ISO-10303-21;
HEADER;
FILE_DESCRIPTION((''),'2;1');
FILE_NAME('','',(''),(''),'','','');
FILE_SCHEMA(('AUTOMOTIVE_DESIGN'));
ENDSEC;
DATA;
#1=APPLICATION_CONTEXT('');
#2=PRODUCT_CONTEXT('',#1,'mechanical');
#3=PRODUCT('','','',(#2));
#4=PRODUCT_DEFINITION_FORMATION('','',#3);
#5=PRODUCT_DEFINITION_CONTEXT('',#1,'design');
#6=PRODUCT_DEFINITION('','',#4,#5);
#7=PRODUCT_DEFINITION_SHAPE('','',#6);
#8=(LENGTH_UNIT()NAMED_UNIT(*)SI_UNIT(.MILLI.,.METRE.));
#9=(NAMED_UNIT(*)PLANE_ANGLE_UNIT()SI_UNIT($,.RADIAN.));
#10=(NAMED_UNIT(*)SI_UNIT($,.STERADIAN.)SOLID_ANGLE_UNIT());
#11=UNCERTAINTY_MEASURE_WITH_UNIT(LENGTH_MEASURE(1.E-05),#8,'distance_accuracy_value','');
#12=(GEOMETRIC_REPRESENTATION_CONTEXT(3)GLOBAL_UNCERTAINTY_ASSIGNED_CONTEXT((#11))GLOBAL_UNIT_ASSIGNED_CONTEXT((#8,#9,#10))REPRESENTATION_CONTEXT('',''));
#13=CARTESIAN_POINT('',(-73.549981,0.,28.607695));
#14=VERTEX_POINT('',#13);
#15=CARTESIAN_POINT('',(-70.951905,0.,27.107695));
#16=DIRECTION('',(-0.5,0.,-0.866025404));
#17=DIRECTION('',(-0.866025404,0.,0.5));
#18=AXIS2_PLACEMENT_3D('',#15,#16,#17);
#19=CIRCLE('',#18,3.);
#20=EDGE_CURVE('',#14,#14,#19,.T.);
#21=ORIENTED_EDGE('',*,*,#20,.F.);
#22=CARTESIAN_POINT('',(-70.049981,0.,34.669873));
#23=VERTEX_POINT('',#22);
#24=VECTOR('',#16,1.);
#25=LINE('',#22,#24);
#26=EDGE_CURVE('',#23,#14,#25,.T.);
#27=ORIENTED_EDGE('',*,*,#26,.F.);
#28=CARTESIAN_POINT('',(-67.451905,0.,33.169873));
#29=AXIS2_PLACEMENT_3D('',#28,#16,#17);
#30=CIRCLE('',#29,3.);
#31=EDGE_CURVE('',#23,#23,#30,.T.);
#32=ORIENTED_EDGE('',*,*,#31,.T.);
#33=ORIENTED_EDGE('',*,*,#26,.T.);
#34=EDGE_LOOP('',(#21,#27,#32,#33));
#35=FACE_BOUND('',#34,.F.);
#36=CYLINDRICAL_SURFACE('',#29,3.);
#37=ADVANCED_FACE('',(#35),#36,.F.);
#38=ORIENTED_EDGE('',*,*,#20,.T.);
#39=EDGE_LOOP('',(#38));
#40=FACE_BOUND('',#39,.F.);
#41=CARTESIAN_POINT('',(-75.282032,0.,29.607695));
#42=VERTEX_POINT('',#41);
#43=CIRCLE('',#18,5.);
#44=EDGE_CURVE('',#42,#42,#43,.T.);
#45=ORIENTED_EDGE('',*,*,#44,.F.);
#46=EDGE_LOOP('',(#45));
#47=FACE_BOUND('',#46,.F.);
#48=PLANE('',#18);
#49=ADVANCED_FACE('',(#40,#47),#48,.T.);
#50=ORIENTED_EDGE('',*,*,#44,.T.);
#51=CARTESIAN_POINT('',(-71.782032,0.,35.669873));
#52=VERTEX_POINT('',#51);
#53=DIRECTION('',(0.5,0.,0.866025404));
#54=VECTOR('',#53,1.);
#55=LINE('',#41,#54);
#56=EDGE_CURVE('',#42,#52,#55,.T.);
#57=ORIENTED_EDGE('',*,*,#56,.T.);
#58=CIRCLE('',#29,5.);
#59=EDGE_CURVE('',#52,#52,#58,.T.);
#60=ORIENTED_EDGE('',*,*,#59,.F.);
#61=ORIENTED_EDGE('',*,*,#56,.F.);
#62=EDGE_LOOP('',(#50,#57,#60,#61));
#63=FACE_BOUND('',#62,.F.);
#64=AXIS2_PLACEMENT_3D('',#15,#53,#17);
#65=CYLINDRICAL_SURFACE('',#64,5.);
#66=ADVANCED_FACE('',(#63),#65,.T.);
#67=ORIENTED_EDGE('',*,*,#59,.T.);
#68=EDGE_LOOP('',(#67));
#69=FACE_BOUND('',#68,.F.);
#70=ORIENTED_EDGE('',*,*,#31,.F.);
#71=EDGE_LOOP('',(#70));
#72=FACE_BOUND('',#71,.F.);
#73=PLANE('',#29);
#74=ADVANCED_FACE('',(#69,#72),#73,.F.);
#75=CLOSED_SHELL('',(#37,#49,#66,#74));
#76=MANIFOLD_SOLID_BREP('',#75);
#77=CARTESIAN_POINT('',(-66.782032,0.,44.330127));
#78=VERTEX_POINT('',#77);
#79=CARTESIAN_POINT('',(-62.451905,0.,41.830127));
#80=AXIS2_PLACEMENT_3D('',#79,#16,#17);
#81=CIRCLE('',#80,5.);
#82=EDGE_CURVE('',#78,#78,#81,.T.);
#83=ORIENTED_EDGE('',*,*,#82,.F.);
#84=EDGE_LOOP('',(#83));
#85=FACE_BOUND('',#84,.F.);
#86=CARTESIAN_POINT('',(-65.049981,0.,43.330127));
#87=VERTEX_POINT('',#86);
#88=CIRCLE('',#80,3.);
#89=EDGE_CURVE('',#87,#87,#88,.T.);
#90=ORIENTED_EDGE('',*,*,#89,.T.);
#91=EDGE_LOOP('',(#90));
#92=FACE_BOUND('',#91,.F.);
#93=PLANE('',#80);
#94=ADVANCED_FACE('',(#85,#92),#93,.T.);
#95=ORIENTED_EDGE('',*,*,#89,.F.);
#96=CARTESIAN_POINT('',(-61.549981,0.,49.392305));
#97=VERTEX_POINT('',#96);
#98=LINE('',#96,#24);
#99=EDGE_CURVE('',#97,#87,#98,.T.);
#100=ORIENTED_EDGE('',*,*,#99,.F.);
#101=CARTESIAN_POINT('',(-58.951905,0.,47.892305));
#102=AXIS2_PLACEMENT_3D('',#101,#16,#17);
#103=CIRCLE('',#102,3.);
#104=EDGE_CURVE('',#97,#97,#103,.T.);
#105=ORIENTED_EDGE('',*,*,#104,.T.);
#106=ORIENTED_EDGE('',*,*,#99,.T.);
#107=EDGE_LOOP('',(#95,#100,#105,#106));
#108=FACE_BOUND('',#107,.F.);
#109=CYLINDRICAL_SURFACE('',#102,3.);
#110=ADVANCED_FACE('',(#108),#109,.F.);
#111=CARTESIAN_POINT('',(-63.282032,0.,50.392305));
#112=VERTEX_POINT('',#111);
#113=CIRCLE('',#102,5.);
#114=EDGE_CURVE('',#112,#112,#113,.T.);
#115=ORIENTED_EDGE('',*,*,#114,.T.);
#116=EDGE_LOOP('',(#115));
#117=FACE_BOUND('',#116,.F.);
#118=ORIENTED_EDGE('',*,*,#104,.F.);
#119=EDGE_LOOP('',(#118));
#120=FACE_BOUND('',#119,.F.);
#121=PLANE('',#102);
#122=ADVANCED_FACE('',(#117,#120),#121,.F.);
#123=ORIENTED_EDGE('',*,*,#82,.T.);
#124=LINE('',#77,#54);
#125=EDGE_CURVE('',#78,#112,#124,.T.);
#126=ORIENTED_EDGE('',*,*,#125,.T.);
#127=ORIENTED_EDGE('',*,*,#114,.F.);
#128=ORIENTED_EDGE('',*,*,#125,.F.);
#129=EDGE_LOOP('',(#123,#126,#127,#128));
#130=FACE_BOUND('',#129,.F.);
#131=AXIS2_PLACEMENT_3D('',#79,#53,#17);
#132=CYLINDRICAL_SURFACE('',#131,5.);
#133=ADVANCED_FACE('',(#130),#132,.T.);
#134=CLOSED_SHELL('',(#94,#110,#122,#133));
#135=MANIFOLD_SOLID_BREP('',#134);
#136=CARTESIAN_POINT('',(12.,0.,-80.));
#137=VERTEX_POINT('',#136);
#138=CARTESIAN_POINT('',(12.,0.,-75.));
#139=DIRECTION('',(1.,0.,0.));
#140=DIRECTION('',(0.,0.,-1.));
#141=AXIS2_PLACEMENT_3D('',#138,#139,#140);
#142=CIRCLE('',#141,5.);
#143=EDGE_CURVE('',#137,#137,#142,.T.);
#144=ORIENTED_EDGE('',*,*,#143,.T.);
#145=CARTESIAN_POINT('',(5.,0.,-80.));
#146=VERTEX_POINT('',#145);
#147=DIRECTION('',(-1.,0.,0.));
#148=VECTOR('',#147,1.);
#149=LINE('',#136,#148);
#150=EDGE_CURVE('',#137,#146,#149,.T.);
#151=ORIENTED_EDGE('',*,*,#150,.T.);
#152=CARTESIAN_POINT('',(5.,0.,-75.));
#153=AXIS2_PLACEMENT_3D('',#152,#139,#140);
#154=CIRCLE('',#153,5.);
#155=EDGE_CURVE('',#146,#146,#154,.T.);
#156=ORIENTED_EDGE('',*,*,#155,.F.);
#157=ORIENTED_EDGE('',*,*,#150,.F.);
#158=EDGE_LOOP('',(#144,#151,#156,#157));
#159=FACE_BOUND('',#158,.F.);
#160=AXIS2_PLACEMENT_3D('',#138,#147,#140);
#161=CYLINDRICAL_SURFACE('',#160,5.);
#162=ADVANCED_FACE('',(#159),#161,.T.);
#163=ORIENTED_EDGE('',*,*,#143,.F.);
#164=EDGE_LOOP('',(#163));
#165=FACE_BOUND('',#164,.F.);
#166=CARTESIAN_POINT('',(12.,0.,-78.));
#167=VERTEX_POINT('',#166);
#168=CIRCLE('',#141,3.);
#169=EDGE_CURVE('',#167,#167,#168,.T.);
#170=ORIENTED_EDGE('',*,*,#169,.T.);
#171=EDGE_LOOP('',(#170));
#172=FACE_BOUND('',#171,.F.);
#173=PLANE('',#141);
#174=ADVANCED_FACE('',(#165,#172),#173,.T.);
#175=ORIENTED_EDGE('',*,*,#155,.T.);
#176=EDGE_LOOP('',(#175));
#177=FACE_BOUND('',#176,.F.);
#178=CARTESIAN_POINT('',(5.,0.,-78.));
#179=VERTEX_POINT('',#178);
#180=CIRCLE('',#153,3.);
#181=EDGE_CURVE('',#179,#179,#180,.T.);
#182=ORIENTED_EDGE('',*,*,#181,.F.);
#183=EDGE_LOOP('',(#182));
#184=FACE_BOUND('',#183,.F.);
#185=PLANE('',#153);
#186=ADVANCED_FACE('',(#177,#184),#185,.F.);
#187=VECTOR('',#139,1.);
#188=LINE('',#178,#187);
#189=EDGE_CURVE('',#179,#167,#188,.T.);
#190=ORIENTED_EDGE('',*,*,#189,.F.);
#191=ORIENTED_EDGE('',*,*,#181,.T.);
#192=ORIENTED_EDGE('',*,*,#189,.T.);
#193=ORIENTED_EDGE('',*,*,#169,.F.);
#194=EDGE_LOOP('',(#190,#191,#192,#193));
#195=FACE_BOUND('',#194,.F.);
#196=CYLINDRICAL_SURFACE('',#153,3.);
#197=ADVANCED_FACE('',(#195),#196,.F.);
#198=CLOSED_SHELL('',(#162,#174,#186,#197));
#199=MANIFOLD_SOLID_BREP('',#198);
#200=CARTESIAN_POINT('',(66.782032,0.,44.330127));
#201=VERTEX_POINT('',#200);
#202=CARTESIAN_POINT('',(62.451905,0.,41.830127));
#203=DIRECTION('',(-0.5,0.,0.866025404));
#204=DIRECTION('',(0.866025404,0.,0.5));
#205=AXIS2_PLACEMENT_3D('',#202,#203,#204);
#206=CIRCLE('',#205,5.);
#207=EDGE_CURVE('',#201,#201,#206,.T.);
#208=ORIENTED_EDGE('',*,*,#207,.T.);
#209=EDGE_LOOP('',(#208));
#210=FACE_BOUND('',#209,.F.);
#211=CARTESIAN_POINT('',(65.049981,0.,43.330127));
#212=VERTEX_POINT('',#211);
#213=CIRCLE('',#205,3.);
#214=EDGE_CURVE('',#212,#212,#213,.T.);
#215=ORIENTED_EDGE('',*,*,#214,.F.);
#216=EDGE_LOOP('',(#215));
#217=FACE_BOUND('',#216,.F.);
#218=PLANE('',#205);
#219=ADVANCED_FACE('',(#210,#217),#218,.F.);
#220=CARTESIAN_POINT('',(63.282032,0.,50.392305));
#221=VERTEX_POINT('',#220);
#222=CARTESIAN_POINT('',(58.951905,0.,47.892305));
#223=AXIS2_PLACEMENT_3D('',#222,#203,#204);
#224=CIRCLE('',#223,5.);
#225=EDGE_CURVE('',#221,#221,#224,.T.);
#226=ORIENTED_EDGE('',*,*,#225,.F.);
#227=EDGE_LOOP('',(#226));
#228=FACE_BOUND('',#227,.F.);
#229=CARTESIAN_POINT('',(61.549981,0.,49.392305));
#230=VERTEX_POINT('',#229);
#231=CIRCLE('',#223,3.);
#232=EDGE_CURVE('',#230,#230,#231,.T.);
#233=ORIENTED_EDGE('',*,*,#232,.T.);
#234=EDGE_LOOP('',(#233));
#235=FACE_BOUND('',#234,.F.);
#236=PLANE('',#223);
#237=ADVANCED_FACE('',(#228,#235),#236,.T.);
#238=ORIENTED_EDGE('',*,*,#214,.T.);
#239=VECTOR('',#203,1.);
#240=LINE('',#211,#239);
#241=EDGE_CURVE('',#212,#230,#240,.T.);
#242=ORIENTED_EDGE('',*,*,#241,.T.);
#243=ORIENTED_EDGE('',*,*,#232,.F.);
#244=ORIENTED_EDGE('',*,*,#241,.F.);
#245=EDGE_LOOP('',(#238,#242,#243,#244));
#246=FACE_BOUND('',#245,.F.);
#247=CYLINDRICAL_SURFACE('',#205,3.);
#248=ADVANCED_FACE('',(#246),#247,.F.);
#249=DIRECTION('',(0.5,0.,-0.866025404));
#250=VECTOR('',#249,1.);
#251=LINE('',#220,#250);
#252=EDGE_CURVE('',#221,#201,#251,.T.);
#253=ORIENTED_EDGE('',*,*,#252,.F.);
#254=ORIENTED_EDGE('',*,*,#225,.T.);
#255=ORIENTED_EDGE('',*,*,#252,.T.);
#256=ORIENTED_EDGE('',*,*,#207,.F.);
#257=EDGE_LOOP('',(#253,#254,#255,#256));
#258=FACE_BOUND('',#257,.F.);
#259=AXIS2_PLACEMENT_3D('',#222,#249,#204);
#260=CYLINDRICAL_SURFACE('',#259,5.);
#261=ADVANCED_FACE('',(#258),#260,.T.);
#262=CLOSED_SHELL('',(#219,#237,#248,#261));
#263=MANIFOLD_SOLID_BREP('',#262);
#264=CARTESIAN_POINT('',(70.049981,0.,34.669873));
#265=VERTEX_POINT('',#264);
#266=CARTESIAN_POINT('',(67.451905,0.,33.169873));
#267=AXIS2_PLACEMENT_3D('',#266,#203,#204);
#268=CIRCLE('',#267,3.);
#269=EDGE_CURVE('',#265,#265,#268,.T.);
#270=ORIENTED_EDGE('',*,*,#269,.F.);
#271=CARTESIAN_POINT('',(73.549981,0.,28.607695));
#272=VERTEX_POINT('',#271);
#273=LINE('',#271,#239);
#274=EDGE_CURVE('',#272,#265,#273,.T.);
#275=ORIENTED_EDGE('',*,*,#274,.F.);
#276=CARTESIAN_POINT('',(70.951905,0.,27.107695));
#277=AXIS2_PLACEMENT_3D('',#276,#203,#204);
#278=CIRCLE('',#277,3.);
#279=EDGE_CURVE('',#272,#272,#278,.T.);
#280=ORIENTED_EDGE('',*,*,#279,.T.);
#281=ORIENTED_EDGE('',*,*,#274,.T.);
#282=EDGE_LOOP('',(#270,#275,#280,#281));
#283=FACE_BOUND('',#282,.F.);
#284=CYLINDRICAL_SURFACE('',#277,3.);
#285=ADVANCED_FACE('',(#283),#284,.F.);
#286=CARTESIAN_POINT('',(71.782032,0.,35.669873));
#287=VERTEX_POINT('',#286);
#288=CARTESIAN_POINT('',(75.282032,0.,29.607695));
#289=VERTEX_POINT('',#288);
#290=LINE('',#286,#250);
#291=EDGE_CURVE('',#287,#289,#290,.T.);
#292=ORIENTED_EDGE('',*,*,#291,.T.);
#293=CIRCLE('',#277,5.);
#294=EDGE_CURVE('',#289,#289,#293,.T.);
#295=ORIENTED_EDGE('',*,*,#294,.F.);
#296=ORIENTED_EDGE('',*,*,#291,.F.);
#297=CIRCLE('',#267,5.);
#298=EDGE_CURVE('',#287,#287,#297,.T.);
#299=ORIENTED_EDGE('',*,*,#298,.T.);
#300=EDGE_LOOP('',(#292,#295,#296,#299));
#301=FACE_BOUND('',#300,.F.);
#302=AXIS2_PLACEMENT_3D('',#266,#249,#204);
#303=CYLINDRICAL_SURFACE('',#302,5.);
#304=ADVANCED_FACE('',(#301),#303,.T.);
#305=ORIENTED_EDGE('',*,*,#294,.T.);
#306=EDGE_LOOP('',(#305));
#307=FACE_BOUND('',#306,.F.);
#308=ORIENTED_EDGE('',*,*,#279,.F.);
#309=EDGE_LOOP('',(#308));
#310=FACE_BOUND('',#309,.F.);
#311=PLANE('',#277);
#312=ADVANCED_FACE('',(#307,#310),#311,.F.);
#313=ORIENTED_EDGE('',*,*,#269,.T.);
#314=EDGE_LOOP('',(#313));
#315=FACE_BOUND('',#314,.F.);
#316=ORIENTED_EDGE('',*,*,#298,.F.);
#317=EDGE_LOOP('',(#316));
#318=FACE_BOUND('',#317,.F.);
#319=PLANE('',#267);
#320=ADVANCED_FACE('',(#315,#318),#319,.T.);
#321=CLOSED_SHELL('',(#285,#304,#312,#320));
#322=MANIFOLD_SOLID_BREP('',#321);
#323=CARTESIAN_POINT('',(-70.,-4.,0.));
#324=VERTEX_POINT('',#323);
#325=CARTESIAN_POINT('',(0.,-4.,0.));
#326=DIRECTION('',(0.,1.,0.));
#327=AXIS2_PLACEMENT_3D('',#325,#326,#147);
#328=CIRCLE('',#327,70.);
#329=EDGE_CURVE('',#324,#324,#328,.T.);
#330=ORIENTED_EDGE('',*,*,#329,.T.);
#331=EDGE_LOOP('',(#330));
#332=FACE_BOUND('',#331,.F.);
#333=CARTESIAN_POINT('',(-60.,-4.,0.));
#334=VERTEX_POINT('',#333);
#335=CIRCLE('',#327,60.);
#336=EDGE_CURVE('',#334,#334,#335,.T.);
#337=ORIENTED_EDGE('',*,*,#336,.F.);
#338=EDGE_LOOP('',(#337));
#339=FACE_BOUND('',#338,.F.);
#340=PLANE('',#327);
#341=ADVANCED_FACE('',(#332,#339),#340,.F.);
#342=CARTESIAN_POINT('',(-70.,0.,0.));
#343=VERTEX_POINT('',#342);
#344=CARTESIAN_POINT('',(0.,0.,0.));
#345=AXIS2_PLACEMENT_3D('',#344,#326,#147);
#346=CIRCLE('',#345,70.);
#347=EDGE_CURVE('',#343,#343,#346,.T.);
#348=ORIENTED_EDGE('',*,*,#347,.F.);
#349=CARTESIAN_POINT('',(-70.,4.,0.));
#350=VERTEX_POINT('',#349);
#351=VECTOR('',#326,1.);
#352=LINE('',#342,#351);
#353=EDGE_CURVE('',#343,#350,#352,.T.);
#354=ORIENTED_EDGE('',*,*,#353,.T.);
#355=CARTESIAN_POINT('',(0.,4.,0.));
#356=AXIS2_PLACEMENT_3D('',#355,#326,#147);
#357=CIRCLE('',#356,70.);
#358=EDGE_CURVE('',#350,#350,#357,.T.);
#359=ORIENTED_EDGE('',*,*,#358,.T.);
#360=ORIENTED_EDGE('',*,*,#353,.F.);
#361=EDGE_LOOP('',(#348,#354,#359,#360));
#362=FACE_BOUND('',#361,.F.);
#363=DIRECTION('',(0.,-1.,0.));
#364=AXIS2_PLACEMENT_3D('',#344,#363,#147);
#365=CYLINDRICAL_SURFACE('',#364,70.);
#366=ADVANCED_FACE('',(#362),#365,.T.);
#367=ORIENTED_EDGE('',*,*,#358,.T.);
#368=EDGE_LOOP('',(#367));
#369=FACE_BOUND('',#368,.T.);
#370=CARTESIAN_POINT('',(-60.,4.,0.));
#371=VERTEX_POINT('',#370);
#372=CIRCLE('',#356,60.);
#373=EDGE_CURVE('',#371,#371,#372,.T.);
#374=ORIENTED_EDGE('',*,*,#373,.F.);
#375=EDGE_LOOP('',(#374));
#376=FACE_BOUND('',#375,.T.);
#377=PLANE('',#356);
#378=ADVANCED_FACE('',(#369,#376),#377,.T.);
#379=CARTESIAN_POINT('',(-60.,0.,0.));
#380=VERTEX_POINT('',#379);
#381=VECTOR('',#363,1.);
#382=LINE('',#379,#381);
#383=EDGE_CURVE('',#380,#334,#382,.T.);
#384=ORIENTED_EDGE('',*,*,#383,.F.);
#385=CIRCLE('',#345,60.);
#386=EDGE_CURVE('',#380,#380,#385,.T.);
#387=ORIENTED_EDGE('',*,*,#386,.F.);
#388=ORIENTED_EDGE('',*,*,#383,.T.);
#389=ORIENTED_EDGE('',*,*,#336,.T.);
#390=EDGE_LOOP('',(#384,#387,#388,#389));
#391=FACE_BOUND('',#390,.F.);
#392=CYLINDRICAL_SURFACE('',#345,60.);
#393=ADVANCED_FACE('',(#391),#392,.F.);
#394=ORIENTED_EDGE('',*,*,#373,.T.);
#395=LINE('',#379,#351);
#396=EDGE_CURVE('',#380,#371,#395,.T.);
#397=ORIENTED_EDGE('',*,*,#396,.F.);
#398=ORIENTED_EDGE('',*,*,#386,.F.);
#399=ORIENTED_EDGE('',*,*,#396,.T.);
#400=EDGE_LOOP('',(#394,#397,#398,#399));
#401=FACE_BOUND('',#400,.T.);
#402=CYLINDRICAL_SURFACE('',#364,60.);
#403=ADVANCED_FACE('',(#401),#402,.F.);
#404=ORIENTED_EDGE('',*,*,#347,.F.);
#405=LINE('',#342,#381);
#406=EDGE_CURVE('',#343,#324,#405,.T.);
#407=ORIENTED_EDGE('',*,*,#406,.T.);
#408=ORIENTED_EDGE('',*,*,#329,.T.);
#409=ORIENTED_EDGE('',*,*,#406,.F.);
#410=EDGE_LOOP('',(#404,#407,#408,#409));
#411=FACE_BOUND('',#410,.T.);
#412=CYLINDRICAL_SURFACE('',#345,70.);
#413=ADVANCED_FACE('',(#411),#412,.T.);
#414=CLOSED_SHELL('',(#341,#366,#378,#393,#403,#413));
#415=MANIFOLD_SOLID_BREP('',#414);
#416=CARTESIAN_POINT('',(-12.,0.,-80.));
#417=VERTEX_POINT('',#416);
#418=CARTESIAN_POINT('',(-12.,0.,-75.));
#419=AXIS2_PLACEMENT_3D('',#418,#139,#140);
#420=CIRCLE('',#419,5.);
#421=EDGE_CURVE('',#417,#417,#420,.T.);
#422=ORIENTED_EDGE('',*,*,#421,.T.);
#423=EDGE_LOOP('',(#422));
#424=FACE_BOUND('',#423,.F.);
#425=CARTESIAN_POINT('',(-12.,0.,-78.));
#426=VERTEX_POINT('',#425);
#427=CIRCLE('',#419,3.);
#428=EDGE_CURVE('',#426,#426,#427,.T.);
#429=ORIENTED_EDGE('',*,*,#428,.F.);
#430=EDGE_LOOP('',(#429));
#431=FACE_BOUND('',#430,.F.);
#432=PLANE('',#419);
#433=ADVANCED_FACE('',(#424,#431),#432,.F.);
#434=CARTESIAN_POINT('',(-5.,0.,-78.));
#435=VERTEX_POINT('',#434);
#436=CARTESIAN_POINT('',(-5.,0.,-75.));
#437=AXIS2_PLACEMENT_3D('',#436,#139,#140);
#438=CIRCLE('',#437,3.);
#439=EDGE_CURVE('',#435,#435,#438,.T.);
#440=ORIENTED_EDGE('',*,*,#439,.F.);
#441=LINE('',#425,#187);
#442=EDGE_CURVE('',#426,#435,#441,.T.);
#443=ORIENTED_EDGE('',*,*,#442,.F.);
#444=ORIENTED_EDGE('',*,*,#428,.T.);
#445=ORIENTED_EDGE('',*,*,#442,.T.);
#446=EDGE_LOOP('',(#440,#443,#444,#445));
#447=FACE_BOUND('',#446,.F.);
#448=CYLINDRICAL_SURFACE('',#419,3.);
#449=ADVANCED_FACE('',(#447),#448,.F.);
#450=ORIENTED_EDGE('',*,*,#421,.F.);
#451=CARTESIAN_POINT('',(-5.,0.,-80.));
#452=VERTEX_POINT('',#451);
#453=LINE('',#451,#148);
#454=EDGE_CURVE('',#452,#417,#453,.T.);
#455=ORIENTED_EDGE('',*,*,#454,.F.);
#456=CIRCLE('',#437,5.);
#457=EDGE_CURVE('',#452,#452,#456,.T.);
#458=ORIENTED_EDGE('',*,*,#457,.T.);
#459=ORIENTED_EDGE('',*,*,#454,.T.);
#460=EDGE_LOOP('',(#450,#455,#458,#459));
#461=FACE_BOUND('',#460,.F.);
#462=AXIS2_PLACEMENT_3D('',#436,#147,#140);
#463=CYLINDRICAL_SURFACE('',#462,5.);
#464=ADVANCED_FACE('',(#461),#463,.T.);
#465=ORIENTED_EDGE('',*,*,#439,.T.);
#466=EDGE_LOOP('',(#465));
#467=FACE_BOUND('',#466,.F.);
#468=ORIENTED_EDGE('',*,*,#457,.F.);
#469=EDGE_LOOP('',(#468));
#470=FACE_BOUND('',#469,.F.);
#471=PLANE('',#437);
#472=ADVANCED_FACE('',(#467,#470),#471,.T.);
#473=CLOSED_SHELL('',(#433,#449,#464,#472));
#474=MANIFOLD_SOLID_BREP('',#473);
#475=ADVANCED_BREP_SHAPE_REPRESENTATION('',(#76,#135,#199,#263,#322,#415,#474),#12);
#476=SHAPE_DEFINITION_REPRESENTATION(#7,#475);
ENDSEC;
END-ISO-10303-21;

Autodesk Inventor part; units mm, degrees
ref_plane "YZ Plane" through (0, 0, 0) normal (1, 0, 0) x (0, 1, 0)
ref_plane "XZ Plane" through (0, 0, 0) normal (0, 1, 0) x (-1, 0, 0)
ref_plane "XY Plane" through (0, 0, 0) normal (0, 0, 1) x (1, 0, 0)
sketch "スケッチ1" plane through (0, 0, 0) normal (0, 1, 0) x (-1, 0, 0)
  circle A0 centre (0, 0) radius 70
  circle A1 centre (0, 0) radius 60
  dimension "d0" = 140
  dimension "d1" = 120
extrude "押し出し1" add sketch "スケッチ1" along normal mid plane 8
sketch "スケッチ2" plane through (0, 0, 0) normal (0, 1, 0) x (-1, 0, 0)
  line L0 (12, -78) -> (5, -78)
  line L1 (5, -78) -> (5, -80)
  line L2 (5, -80) -> (12, -80)
  line L3 (12, -80) -> (12, -78)
  line L4 (-5, -78) -> (-12, -78)
  line L5 (-12, -78) -> (-12, -80)
  line L6 (-12, -80) -> (-5, -80)
  line L7 (-5, -80) -> (-5, -78)
  line L8 (0, -109.632) -> (0, 99.9387) projected
  line L9 (-98, 0) -> (98, 0) projected
  line L10 (18.6629, -75) -> (-18.486, -75)
  point P0 (0, 0)
  dimension "d5" = 75
  dimension "d6" = 3
  dimension "d7" = 5
  dimension "d8" = 10
  dimension "d9" = 24
revolve "回転1" add sketch "スケッチ2" angle 360 about axis through (-18.6629, 0, -75) along (1, 0, 0)
pattern_circular "円形状パターン1" count 3 over 360 about axis through (0, -10, 0) along (0, 1, 0) of "回転1"
properties part number "EndEffector"
